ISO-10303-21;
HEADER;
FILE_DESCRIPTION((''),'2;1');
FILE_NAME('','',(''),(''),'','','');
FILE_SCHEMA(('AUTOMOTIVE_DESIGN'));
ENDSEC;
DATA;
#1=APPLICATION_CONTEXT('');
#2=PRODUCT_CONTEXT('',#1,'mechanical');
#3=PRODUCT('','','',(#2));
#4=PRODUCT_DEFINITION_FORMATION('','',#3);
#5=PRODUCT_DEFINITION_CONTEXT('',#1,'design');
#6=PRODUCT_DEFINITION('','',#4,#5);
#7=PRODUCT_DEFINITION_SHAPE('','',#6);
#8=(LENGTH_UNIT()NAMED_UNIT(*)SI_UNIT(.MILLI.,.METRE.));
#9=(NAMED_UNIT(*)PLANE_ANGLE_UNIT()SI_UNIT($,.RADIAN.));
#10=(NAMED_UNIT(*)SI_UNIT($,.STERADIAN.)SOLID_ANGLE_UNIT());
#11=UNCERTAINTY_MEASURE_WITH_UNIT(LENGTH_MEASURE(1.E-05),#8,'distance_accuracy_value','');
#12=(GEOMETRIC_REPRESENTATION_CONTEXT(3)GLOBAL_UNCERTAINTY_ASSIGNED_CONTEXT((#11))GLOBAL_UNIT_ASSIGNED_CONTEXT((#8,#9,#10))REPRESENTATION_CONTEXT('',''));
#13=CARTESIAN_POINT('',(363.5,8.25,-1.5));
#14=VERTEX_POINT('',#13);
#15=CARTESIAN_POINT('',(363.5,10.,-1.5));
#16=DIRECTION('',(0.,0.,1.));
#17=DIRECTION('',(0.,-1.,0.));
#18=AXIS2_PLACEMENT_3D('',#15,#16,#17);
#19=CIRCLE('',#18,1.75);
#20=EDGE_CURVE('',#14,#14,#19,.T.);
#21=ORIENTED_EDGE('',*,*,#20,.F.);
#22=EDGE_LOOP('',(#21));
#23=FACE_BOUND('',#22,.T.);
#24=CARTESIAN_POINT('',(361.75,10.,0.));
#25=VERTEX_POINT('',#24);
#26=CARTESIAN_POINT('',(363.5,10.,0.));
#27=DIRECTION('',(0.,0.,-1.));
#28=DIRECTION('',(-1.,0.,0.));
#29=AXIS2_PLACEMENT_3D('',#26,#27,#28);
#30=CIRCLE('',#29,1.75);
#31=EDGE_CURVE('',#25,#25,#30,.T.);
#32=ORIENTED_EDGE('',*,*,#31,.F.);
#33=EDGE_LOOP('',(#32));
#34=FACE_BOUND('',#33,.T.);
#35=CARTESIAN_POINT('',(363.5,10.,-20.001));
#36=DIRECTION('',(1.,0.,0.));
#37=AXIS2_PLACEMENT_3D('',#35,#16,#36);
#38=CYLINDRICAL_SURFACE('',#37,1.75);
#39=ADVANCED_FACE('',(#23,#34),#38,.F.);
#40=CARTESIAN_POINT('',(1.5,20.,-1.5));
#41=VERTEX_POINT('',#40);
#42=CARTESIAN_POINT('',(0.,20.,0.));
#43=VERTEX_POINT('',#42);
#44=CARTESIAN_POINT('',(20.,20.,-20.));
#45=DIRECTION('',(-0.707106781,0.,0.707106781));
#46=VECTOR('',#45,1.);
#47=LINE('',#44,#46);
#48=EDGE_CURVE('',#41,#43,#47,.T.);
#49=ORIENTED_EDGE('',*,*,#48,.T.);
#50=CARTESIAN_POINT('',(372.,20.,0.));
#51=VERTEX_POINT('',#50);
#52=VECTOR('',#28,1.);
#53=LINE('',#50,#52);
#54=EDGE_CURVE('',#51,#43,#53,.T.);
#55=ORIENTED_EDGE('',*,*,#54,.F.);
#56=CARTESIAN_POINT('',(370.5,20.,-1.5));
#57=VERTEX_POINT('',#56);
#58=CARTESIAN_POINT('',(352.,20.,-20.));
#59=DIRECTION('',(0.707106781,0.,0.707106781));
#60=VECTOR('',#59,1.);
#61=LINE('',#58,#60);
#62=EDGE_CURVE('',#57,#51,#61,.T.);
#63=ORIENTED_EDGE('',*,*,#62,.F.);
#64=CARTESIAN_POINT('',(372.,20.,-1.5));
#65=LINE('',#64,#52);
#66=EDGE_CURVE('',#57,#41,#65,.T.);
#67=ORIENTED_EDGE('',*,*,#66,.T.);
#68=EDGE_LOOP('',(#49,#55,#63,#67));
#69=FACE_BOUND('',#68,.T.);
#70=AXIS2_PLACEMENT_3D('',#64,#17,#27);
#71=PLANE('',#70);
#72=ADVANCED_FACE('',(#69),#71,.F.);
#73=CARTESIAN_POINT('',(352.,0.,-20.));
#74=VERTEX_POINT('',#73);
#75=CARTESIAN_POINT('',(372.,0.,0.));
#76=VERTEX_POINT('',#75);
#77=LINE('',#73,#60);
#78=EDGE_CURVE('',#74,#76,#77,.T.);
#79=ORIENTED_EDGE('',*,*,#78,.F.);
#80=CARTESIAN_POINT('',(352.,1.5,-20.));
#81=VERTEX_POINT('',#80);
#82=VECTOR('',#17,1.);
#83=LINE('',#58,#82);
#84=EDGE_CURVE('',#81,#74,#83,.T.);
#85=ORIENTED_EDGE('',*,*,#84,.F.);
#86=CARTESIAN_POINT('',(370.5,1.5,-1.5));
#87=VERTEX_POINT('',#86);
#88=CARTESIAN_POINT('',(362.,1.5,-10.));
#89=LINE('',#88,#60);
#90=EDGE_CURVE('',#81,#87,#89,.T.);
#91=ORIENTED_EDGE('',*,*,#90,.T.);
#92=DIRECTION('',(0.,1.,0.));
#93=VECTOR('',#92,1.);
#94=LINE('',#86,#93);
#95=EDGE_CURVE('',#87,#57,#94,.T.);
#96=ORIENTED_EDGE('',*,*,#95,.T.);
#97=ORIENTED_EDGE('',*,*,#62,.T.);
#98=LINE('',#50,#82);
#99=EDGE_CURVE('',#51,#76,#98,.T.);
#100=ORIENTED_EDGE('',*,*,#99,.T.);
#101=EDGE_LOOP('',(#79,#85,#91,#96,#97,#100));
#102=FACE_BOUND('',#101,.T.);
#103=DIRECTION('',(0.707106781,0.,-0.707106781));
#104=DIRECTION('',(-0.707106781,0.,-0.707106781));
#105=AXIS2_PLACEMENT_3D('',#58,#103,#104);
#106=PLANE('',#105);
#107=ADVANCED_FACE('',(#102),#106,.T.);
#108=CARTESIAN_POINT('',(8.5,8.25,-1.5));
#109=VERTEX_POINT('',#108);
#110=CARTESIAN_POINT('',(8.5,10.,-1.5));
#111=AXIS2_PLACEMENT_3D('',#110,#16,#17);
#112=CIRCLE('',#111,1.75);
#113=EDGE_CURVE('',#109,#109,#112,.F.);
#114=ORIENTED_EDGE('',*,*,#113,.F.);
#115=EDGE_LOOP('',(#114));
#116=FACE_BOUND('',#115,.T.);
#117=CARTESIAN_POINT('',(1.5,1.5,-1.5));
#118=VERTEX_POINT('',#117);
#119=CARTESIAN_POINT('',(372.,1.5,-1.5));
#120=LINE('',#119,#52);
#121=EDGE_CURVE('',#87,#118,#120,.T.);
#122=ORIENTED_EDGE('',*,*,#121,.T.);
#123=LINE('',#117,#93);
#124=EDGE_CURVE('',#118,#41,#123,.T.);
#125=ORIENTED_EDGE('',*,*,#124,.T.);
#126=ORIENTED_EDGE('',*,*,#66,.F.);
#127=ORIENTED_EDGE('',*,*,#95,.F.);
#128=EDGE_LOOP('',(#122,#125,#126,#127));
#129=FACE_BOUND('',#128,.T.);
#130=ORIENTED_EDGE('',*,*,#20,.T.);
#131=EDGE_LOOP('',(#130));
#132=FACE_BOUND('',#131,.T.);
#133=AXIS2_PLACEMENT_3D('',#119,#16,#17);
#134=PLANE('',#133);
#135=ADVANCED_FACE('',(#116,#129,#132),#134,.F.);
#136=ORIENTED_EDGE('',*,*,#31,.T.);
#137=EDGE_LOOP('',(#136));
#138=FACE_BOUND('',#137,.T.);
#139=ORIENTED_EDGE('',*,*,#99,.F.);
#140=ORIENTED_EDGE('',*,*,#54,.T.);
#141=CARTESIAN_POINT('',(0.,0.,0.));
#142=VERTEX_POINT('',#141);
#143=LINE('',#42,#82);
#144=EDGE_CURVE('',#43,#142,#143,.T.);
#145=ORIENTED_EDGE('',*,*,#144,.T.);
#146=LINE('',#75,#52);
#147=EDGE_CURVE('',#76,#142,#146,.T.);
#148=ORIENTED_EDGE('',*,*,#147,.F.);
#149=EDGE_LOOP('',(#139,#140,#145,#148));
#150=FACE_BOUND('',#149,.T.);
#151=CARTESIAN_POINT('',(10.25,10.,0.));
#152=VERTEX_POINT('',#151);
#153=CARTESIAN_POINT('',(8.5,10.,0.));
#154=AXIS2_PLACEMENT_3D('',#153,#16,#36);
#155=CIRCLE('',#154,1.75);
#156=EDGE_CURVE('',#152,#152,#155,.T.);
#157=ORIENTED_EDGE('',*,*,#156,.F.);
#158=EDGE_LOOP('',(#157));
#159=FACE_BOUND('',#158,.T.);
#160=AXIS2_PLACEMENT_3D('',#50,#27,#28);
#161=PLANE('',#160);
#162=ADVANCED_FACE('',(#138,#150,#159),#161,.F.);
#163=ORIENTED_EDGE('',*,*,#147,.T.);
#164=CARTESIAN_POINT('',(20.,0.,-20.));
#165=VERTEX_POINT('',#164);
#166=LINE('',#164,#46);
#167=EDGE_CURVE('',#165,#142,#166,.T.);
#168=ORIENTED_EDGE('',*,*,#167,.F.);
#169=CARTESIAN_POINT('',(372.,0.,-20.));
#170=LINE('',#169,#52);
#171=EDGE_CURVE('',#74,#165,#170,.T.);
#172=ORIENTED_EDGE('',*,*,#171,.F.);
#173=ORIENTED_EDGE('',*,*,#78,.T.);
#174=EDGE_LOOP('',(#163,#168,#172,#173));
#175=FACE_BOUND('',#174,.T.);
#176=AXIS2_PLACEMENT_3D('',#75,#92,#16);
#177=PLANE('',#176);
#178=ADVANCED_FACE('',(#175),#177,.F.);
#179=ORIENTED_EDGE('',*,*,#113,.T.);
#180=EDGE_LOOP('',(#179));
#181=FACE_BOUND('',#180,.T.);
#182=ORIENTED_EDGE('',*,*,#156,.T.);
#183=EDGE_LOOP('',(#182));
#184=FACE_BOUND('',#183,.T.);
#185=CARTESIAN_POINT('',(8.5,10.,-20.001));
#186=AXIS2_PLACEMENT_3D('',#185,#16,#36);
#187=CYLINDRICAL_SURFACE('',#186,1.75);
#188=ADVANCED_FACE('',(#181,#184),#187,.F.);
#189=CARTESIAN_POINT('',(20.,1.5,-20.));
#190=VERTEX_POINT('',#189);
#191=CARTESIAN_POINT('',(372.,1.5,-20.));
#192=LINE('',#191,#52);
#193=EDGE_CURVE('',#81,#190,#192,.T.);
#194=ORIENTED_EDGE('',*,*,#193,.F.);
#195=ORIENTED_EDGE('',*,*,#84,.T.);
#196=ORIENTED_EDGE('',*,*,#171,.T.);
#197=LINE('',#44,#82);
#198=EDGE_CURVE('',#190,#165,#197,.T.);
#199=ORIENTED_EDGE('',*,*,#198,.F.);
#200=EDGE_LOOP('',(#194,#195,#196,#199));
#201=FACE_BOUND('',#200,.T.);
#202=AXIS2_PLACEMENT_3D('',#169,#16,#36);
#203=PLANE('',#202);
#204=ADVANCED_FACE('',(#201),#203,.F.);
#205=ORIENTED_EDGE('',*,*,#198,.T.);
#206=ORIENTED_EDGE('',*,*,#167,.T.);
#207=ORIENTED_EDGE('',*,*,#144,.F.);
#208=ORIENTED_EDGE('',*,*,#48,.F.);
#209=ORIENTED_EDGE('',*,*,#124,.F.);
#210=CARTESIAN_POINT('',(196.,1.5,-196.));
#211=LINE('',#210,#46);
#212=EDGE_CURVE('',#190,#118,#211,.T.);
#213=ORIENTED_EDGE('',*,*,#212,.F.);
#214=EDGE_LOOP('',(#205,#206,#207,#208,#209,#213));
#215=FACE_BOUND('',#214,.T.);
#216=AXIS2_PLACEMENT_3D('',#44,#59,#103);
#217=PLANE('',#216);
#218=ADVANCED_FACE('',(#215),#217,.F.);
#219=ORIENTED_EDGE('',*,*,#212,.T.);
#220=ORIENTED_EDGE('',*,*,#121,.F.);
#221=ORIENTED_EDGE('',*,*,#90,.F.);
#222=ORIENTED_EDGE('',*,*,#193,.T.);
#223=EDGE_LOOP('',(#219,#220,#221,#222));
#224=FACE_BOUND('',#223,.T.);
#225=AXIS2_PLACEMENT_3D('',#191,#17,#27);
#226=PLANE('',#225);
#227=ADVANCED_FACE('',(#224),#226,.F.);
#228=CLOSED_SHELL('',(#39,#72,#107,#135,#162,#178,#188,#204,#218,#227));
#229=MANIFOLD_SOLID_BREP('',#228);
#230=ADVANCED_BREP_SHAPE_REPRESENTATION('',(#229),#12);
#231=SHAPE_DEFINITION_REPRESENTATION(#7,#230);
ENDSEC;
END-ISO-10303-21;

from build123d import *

# Parameters (mm, degrees)
EXTRUDE_1_DEPTH     = 372
CUT_EXTRUDE_1_DEPTH = 374.073719257
CUT_EXTRUDE_2_REACH = 375.074
SKETCH_3_R          = 1.75


with BuildPart() as part:
    # Эскиз1 → Бобышка-Вытянуть1 (new body)
    with BuildSketch(Plane(origin=(0, 0, 0), x_dir=(0, 0, -1), z_dir=(1, 0, 0))):
        Polygon((0, 0), (20, 0), (20, 1.5), (1.5, 1.5), (1.5, 20), (0, 20), align=None)
    extrude(amount=EXTRUDE_1_DEPTH)

    # Эскиз2 → Вырез-Вытянуть1 (cut, through all)
    with BuildSketch(Plane.XZ):
        Polygon((0, 0), (0, -20), (20, -20), align=None)
    cut_extrude_1 = extrude(amount=-CUT_EXTRUDE_1_DEPTH, mode=Mode.SUBTRACT)

    # Эскиз3 → Вырез-Вытянуть2 (cut, up to next)
    with BuildSketch(Plane.XY, mode=Mode.PRIVATE) as cut_extrude_2_sk1:
        with Locations((8.5, 10)):
            Circle(SKETCH_3_R)
    cut_extrude_2_tool1 = extrude(cut_extrude_2_sk1.sketch, amount=-CUT_EXTRUDE_2_REACH, mode=Mode.PRIVATE) & part.part
    cut_extrude_2 = cut_extrude_2_tool1.solids().sort_by_distance((8.5, 10, 0))[0]
    add(cut_extrude_2, mode=Mode.SUBTRACT)

    # Зеркальное отражение3: Вырез-Вытянуть1, Вырез-Вытянуть2 across plane
    add(cut_extrude_1.mirror(Plane(origin=(186, 0, 0), x_dir=(0, 0, 1), z_dir=(1, 0, 0))), mode=Mode.SUBTRACT)
    add(cut_extrude_2.mirror(Plane(origin=(186, 0, 0), x_dir=(0, 0, 1), z_dir=(1, 0, 0))), mode=Mode.SUBTRACT)


solid = part.part
